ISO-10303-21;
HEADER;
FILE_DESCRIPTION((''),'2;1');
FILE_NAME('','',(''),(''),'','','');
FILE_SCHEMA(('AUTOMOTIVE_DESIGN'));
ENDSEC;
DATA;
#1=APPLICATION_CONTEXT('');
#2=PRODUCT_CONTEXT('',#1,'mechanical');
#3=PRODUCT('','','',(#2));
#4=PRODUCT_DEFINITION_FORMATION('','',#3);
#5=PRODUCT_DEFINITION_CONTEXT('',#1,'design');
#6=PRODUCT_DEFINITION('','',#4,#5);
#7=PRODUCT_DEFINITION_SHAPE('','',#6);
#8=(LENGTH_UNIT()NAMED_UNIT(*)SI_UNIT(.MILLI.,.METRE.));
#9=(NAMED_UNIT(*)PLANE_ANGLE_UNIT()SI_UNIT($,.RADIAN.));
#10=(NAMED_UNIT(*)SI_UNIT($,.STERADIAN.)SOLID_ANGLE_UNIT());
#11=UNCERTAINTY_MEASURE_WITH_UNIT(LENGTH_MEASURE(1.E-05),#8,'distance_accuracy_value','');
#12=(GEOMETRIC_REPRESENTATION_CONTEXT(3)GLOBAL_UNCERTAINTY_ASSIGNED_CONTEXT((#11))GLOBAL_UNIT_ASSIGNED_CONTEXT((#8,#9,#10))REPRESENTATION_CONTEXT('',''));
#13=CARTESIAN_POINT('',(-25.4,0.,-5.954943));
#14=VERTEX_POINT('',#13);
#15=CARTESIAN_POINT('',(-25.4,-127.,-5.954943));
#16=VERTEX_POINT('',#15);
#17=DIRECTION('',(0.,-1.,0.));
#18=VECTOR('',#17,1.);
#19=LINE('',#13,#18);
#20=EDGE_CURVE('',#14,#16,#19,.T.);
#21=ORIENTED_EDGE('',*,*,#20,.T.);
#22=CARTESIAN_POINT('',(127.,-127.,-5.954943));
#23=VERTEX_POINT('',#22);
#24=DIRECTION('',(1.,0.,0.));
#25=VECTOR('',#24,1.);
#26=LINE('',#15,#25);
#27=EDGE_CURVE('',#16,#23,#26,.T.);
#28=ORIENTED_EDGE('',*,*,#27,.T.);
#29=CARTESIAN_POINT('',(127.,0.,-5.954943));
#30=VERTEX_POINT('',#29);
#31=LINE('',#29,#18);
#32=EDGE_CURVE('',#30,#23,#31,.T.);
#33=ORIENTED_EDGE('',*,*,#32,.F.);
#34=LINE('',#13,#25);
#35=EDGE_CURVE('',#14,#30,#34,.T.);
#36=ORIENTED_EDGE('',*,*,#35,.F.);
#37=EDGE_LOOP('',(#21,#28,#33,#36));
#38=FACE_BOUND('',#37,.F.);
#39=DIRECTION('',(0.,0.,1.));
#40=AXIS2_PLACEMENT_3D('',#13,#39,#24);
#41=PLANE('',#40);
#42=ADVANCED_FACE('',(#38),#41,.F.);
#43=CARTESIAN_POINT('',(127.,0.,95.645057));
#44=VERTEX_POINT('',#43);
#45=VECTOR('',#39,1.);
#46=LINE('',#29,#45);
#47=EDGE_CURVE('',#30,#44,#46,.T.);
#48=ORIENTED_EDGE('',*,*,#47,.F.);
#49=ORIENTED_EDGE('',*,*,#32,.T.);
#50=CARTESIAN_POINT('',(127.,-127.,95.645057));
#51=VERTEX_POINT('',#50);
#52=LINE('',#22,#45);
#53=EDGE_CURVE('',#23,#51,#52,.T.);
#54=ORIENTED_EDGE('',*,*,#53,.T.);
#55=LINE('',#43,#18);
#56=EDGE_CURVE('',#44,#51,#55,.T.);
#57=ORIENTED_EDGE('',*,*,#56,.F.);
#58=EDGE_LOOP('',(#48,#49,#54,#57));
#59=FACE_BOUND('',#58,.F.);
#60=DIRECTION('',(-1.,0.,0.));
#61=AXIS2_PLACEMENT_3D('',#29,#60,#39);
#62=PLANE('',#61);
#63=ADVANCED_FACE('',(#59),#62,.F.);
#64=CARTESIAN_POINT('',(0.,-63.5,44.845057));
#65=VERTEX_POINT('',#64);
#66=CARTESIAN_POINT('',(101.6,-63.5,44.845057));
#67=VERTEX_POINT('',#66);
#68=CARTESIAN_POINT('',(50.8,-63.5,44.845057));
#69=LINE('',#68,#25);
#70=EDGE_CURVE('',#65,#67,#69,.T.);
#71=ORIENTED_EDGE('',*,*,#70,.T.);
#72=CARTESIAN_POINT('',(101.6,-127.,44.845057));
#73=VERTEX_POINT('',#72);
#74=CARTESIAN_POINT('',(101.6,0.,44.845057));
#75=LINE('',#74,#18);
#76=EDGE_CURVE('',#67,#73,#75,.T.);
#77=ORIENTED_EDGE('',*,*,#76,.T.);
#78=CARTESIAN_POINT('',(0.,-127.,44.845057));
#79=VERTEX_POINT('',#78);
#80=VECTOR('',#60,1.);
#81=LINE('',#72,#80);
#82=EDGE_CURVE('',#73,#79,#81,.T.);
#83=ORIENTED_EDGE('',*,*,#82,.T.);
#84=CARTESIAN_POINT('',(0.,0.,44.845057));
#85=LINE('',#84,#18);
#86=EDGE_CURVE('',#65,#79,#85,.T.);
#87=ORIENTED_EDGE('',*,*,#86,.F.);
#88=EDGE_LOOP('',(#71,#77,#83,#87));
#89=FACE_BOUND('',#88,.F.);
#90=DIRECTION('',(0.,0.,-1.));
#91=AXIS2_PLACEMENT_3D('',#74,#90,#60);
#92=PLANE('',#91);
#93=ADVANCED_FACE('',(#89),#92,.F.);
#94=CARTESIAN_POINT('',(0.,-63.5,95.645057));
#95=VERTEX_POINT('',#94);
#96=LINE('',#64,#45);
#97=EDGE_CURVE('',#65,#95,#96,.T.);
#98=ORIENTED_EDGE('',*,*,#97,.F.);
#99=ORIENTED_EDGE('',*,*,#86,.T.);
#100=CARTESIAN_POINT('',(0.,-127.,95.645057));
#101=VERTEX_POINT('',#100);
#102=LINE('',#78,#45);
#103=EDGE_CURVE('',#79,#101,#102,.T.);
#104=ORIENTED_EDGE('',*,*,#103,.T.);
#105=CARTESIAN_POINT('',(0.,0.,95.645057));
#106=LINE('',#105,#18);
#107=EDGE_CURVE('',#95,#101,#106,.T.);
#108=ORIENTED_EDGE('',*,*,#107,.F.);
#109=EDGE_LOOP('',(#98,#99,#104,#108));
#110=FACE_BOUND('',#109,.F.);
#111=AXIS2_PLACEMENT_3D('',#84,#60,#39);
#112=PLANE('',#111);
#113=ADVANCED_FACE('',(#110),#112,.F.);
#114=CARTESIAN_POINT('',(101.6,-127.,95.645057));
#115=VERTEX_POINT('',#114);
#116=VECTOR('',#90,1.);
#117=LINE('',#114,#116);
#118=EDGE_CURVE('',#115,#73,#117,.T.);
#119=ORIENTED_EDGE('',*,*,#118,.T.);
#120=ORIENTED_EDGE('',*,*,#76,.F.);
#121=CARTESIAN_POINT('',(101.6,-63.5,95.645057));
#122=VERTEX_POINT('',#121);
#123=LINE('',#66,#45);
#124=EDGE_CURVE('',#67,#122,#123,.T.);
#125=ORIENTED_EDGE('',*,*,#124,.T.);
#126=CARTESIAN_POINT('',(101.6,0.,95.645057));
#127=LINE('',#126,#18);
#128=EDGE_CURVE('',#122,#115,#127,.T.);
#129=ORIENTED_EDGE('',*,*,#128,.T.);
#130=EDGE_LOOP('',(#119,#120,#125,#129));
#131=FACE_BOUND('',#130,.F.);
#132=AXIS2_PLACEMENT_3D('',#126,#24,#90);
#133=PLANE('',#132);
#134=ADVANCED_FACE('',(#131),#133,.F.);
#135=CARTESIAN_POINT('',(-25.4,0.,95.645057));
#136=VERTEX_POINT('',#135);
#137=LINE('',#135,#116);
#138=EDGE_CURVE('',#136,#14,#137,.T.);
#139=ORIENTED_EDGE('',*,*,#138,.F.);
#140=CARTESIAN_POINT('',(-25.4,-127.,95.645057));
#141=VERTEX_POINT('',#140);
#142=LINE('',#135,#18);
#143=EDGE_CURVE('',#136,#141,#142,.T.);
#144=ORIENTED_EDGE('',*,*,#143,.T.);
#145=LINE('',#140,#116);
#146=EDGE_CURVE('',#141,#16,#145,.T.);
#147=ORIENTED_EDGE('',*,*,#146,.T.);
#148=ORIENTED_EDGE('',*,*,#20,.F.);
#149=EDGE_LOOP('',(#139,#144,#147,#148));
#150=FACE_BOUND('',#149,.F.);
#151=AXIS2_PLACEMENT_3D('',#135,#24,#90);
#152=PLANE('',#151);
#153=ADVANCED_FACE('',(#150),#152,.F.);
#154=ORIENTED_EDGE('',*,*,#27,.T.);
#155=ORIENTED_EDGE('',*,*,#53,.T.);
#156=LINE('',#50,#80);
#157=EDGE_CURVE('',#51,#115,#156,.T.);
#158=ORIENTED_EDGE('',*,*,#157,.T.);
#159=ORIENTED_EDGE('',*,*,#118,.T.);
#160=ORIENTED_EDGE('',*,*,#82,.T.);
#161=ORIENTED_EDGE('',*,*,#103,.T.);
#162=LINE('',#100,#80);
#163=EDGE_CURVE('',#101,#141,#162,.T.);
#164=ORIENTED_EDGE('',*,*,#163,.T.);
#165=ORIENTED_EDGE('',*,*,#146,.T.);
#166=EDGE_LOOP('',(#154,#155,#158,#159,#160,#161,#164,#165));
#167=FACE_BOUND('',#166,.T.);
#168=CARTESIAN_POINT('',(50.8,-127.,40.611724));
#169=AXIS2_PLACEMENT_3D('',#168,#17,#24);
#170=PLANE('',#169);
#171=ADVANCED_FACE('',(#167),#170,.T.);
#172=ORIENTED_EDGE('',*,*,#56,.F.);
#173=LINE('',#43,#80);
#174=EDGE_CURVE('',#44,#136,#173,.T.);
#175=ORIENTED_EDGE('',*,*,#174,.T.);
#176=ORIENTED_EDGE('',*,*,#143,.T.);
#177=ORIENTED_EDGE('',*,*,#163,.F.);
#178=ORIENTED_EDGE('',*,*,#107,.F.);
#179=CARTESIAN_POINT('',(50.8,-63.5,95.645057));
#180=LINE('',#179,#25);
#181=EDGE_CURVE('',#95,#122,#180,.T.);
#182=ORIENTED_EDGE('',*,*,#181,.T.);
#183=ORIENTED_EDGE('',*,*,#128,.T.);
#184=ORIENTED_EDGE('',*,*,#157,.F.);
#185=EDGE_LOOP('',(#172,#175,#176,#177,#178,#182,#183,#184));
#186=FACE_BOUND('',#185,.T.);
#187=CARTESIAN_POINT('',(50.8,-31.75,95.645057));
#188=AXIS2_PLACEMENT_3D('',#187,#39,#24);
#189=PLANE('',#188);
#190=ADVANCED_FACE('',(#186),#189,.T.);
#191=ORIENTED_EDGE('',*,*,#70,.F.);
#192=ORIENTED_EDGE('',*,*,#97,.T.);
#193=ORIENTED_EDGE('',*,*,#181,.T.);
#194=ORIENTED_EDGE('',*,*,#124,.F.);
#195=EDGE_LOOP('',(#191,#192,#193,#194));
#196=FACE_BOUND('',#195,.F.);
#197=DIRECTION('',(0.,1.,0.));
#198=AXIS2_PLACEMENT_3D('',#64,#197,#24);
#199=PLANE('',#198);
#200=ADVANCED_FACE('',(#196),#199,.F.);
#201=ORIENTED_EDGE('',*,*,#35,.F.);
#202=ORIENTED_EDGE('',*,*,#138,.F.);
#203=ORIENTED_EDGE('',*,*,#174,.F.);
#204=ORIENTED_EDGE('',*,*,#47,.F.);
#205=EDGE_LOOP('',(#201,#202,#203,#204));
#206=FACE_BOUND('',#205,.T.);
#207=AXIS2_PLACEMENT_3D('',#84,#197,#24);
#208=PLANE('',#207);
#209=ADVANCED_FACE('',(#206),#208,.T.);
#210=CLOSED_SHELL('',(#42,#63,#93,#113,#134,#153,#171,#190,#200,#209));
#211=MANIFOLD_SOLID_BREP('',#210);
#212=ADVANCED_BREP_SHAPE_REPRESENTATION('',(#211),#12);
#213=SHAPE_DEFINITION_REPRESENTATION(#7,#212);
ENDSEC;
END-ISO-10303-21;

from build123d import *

# Parameters (mm, degrees)
F1_DEPTH = 127
F2_W     = 101.6
F2_H     = 63.5
F3_DEPTH = 50.8


with BuildPart() as f1:
    # F0 (on Front) → F1 (new body)
    with BuildSketch(Plane.XZ):
        Polygon((-25.4, 95.645057), (-25.4, -5.954943), (127, -5.954943), (127, 95.645057), (101.6, 95.645057), (101.6, 44.845057), (0, 44.845057), (0, 95.645057), align=None)
    extrude(amount=F1_DEPTH)

    # F2 (on face) → F3 (join)
    with BuildSketch(Plane.XY.offset(44.845057)):
        with Locations((50.8, -31.75)):
            Rectangle(F2_W, F2_H)
    extrude(amount=F3_DEPTH)


solid = f1.part
